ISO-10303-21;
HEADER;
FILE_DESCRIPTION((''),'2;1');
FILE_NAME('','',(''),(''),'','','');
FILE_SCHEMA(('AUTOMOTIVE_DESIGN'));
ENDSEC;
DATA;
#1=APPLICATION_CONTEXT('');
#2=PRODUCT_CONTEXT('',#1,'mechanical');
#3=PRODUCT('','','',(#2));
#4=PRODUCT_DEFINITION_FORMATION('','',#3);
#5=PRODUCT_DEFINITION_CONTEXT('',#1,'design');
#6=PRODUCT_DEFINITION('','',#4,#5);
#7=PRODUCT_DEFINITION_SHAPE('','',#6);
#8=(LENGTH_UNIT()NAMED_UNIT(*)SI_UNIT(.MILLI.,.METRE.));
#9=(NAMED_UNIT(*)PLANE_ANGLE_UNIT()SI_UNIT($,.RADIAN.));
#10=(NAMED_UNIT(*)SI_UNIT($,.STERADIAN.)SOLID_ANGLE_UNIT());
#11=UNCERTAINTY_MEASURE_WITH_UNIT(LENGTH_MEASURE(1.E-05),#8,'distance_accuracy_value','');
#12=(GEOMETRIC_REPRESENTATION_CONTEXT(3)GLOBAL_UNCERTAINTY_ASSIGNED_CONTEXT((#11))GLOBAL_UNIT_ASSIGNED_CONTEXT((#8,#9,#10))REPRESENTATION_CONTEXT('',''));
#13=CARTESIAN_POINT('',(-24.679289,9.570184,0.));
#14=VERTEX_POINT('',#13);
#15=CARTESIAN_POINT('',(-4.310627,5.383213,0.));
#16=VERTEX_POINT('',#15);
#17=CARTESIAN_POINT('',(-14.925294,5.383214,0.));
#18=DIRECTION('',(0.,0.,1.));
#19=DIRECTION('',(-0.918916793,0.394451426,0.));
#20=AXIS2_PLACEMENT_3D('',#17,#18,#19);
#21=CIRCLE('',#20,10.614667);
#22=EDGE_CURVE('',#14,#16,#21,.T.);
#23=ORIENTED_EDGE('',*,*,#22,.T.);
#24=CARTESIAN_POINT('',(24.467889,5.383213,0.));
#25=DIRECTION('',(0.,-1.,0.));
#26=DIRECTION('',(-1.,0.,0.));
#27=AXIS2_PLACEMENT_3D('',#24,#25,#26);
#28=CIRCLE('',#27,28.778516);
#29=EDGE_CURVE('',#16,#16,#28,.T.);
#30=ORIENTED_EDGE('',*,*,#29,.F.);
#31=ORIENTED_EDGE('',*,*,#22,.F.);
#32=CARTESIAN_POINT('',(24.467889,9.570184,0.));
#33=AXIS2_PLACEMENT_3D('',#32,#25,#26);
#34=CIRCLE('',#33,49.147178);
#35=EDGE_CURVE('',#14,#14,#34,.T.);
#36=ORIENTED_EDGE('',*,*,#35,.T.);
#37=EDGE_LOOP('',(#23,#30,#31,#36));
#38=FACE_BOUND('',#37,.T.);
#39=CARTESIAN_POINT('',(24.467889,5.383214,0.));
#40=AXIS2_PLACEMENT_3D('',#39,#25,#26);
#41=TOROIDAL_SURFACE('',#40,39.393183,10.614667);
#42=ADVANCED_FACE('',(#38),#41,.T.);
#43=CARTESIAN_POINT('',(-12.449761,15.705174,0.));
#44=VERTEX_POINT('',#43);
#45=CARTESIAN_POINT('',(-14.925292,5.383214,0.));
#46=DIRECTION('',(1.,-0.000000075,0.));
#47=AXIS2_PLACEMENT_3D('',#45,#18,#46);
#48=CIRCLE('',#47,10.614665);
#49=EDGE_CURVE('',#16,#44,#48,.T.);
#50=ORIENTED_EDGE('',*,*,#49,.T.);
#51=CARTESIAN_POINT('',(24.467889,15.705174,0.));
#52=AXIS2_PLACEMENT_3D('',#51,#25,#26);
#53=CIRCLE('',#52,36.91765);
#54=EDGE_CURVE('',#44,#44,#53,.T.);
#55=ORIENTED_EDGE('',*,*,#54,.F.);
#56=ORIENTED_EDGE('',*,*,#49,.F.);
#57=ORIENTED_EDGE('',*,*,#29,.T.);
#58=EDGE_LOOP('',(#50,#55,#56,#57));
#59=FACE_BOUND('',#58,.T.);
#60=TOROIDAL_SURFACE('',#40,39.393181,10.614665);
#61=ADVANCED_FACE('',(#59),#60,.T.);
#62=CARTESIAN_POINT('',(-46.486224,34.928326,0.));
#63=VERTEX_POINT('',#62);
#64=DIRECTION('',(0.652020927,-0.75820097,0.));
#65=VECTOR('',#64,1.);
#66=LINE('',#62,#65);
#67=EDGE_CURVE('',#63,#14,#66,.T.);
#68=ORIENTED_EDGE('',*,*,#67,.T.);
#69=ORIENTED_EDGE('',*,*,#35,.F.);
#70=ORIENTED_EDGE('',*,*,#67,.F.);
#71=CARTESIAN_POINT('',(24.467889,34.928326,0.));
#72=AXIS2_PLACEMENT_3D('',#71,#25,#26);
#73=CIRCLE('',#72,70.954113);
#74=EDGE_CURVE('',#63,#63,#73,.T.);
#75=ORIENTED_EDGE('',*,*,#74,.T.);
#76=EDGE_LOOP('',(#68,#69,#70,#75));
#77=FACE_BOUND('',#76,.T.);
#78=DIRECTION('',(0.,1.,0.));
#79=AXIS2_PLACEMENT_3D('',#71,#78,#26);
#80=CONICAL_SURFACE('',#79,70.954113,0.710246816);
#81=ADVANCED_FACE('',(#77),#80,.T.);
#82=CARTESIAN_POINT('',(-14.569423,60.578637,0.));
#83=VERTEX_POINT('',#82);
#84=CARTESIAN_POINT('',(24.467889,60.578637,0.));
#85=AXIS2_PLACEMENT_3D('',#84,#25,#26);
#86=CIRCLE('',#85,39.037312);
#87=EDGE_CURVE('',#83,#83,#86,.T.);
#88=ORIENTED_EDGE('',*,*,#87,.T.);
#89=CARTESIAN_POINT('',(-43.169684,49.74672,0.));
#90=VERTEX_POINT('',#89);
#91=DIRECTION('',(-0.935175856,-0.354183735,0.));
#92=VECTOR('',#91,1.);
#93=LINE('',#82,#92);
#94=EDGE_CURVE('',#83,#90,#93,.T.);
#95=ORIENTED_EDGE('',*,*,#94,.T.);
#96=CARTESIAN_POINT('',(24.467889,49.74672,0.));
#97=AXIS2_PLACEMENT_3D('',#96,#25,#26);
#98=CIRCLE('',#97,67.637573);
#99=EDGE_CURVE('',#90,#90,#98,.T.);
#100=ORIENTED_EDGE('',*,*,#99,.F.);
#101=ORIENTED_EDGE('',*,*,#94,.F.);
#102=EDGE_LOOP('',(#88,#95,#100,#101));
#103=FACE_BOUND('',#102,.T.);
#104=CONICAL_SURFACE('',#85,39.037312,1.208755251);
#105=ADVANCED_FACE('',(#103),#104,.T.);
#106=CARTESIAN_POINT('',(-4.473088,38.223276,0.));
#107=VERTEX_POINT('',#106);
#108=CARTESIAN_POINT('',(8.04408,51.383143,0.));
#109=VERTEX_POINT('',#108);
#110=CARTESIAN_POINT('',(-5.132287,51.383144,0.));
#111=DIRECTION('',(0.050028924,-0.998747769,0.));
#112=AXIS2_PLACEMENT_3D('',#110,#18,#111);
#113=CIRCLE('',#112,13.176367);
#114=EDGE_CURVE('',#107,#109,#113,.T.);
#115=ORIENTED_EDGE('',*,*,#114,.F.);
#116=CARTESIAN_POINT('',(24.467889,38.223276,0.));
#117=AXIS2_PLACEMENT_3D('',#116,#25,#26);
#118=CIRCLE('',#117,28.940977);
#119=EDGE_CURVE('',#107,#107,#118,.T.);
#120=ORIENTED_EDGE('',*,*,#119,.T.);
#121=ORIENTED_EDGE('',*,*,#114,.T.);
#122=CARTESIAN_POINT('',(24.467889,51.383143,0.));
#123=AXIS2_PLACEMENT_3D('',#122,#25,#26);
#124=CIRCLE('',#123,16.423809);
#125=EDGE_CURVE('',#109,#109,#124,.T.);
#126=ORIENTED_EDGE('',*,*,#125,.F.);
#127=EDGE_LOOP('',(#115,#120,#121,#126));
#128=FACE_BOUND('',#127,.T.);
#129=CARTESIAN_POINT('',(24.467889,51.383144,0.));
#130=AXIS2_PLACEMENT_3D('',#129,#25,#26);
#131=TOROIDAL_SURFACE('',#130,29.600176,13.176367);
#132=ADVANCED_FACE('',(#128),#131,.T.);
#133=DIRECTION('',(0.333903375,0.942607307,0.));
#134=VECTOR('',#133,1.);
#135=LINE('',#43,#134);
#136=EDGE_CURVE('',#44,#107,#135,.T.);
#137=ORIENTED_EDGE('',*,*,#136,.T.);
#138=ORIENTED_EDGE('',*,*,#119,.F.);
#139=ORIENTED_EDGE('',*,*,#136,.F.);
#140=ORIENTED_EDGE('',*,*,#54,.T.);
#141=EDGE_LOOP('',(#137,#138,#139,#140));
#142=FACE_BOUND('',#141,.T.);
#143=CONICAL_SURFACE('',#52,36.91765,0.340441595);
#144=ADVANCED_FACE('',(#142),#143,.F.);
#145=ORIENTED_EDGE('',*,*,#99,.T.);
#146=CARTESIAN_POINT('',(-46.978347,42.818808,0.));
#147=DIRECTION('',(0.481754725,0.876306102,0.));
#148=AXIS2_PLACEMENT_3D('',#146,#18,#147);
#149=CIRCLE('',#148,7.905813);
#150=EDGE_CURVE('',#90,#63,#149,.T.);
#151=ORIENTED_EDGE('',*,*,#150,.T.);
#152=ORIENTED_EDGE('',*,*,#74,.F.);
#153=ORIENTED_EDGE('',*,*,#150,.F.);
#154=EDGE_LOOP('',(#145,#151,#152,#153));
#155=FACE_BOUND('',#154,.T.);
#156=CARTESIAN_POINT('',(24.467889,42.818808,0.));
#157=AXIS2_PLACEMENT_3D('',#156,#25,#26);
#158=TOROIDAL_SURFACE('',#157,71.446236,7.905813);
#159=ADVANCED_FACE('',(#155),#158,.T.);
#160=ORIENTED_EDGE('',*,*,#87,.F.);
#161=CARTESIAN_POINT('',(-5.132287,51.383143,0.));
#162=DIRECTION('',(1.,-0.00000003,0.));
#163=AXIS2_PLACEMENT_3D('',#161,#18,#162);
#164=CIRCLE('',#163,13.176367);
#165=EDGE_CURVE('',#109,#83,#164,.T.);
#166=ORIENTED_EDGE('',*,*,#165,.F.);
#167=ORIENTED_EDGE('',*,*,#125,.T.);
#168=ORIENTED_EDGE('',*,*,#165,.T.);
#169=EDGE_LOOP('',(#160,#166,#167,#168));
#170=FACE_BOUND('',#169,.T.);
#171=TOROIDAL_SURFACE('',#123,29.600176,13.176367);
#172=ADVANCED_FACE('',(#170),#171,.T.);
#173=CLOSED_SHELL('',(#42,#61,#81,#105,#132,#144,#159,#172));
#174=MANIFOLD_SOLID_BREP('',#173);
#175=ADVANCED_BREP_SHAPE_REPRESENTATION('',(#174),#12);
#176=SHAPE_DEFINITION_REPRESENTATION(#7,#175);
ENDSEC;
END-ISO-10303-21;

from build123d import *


with BuildPart() as f1:
    # F0 (on Top) → F1 (revolve)
    with BuildSketch(Plane.XY):
        with BuildLine():
            ThreePointArc((-39.167399, 44.039859), (-39.096286, 43.431173), (-39.072534, 42.818807))
            ThreePointArc((-39.072534, 42.818807), (-39.723203, 39.677983), (-41.568109, 37.054155))
            Line((-41.568109, 37.054155), (-21.499252, 13.717133))
            Line((-21.499252, 13.717133), (-10.935516, 39.553555))
            ThreePointArc((-10.935516, 39.553555), (-15.954769, 43.867126), (-18.243739, 50.076828))
            Line((-18.243739, 50.076828), (-39.167399, 44.039859))
        make_face()
        with BuildLine():
            Line((-10.935516, 39.553555), (-21.499252, 13.717133))
            ThreePointArc((-21.499252, 13.717133), (-17.202869, 15.750652), (-12.449761, 15.705174))
            Line((-12.449761, 15.705174), (-4.473088, 38.223276))
            ThreePointArc((-4.473088, 38.223276), (-7.788915, 38.477371), (-10.935516, 39.553555))
        make_face()
        with BuildLine():
            ThreePointArc((-43.169684, 49.74672), (-40.505642, 47.358188), (-39.167399, 44.039859))
            Line((-39.167399, 44.039859), (-18.243739, 50.076828))
            ThreePointArc((-18.243739, 50.076828), (-17.569397, 55.734572), (-14.569423, 60.578637))
            Line((-14.569423, 60.578637), (-43.169684, 49.74672))
        make_face()
        with BuildLine():
            ThreePointArc((-12.449761, 15.705174), (-17.202869, 15.750652), (-21.499252, 13.717133))
            ThreePointArc((-21.499252, 13.717133), (-23.348465, 11.842418), (-24.679289, 9.570184))
            ThreePointArc((-24.679289, 9.570184), (-17.062551, -5.014059), (-4.310627, 5.383213))
            ThreePointArc((-4.310627, 5.383213), (-6.590184, 11.955663), (-12.449761, 15.705174))
        make_face()
        with BuildLine():
            ThreePointArc((-14.569423, 60.578637), (-17.569397, 55.734572), (-18.243739, 50.076828))
            ThreePointArc((-18.243739, 50.076828), (-15.954769, 43.867126), (-10.935516, 39.553555))
            ThreePointArc((-10.935516, 39.553555), (-7.788915, 38.477371), (-4.473088, 38.223276))
            ThreePointArc((-4.473088, 38.223276), (4.415029, 42.302097), (8.04408, 51.383143))
            ThreePointArc((8.04408, 51.383143), (-0.168948, 63.588958), (-14.569423, 60.578637))
        make_face()
        with BuildLine():
            ThreePointArc((-41.568109, 37.054155), (-39.723203, 39.677983), (-39.072534, 42.818807))
            ThreePointArc((-39.072534, 42.818807), (-39.096286, 43.431173), (-39.167399, 44.039859))
            ThreePointArc((-39.167399, 44.039859), (-40.505642, 47.358188), (-43.169684, 49.74672))
            ThreePointArc((-43.169684, 49.74672), (-54.693293, 44.545507), (-46.486224, 34.928326))
            ThreePointArc((-46.486224, 34.928326), (-43.841588, 35.561905), (-41.568109, 37.054155))
        make_face()
        with BuildLine():
            Line((-21.499252, 13.717133), (-41.568109, 37.054155))
            ThreePointArc((-41.568109, 37.054155), (-43.841588, 35.561905), (-46.486224, 34.928326))
            Line((-46.486224, 34.928326), (-24.679289, 9.570184))
            ThreePointArc((-24.679289, 9.570184), (-23.348465, 11.842418), (-21.499252, 13.717133))
        make_face()
    revolve(axis=Axis((24.467889, 29.361469, 0), (0, -1, 0)))


solid = f1.part
